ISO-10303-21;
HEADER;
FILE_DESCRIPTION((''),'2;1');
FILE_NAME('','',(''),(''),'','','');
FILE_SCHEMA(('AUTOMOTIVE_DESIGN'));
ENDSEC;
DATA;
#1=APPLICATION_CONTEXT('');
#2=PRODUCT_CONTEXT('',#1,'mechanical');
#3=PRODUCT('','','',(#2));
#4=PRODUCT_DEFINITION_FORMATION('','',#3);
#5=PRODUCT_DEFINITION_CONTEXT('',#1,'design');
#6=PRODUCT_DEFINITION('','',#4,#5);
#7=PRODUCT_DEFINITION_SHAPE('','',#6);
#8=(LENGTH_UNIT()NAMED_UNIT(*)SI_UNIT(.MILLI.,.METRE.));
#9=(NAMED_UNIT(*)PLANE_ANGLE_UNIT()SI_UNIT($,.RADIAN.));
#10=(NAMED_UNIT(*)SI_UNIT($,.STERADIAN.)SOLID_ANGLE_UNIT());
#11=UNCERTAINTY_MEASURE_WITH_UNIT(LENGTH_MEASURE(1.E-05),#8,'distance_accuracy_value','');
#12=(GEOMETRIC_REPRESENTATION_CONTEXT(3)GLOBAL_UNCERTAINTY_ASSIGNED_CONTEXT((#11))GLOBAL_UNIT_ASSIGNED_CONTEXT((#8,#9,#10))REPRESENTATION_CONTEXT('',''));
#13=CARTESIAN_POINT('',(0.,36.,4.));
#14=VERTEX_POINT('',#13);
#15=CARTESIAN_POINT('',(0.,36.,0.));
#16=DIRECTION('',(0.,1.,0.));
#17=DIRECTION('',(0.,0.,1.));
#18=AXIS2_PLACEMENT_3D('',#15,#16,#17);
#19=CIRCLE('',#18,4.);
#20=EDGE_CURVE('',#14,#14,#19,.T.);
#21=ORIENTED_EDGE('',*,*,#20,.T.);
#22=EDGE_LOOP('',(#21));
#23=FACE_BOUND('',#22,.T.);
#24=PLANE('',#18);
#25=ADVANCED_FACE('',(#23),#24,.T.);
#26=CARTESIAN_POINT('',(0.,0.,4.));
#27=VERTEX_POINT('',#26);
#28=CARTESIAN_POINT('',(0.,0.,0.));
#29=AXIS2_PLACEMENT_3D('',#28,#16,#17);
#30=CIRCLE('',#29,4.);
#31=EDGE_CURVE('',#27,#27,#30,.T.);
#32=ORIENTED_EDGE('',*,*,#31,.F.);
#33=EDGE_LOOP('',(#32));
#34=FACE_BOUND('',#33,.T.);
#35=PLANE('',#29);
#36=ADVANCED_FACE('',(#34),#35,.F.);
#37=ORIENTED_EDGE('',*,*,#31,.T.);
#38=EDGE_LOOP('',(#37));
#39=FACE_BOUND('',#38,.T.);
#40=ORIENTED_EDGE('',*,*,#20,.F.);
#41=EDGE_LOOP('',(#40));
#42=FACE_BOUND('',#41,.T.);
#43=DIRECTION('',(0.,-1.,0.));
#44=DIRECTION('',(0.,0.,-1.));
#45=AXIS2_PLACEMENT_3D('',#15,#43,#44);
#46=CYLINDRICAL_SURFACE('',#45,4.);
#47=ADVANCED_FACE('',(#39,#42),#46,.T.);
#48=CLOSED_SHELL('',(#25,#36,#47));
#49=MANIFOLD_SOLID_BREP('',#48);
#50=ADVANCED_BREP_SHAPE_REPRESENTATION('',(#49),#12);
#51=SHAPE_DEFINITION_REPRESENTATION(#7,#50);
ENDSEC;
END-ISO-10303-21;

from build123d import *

# Parameters (mm, degrees)
SKETCH2_R           = 4
BOSS_EXTRUDE1_DEPTH = 36


with BuildPart() as part:
    # Sketch2 → Boss-Extrude1 (new body)
    with BuildSketch(Plane(origin=(0, 0, 0), x_dir=(1, 0, 0), z_dir=(0, 1, 0))):
        with Locations(Location((0, 0, 0), (0, 0, 270))):
            Circle(SKETCH2_R)
    extrude(amount=BOSS_EXTRUDE1_DEPTH)


solid = part.part
